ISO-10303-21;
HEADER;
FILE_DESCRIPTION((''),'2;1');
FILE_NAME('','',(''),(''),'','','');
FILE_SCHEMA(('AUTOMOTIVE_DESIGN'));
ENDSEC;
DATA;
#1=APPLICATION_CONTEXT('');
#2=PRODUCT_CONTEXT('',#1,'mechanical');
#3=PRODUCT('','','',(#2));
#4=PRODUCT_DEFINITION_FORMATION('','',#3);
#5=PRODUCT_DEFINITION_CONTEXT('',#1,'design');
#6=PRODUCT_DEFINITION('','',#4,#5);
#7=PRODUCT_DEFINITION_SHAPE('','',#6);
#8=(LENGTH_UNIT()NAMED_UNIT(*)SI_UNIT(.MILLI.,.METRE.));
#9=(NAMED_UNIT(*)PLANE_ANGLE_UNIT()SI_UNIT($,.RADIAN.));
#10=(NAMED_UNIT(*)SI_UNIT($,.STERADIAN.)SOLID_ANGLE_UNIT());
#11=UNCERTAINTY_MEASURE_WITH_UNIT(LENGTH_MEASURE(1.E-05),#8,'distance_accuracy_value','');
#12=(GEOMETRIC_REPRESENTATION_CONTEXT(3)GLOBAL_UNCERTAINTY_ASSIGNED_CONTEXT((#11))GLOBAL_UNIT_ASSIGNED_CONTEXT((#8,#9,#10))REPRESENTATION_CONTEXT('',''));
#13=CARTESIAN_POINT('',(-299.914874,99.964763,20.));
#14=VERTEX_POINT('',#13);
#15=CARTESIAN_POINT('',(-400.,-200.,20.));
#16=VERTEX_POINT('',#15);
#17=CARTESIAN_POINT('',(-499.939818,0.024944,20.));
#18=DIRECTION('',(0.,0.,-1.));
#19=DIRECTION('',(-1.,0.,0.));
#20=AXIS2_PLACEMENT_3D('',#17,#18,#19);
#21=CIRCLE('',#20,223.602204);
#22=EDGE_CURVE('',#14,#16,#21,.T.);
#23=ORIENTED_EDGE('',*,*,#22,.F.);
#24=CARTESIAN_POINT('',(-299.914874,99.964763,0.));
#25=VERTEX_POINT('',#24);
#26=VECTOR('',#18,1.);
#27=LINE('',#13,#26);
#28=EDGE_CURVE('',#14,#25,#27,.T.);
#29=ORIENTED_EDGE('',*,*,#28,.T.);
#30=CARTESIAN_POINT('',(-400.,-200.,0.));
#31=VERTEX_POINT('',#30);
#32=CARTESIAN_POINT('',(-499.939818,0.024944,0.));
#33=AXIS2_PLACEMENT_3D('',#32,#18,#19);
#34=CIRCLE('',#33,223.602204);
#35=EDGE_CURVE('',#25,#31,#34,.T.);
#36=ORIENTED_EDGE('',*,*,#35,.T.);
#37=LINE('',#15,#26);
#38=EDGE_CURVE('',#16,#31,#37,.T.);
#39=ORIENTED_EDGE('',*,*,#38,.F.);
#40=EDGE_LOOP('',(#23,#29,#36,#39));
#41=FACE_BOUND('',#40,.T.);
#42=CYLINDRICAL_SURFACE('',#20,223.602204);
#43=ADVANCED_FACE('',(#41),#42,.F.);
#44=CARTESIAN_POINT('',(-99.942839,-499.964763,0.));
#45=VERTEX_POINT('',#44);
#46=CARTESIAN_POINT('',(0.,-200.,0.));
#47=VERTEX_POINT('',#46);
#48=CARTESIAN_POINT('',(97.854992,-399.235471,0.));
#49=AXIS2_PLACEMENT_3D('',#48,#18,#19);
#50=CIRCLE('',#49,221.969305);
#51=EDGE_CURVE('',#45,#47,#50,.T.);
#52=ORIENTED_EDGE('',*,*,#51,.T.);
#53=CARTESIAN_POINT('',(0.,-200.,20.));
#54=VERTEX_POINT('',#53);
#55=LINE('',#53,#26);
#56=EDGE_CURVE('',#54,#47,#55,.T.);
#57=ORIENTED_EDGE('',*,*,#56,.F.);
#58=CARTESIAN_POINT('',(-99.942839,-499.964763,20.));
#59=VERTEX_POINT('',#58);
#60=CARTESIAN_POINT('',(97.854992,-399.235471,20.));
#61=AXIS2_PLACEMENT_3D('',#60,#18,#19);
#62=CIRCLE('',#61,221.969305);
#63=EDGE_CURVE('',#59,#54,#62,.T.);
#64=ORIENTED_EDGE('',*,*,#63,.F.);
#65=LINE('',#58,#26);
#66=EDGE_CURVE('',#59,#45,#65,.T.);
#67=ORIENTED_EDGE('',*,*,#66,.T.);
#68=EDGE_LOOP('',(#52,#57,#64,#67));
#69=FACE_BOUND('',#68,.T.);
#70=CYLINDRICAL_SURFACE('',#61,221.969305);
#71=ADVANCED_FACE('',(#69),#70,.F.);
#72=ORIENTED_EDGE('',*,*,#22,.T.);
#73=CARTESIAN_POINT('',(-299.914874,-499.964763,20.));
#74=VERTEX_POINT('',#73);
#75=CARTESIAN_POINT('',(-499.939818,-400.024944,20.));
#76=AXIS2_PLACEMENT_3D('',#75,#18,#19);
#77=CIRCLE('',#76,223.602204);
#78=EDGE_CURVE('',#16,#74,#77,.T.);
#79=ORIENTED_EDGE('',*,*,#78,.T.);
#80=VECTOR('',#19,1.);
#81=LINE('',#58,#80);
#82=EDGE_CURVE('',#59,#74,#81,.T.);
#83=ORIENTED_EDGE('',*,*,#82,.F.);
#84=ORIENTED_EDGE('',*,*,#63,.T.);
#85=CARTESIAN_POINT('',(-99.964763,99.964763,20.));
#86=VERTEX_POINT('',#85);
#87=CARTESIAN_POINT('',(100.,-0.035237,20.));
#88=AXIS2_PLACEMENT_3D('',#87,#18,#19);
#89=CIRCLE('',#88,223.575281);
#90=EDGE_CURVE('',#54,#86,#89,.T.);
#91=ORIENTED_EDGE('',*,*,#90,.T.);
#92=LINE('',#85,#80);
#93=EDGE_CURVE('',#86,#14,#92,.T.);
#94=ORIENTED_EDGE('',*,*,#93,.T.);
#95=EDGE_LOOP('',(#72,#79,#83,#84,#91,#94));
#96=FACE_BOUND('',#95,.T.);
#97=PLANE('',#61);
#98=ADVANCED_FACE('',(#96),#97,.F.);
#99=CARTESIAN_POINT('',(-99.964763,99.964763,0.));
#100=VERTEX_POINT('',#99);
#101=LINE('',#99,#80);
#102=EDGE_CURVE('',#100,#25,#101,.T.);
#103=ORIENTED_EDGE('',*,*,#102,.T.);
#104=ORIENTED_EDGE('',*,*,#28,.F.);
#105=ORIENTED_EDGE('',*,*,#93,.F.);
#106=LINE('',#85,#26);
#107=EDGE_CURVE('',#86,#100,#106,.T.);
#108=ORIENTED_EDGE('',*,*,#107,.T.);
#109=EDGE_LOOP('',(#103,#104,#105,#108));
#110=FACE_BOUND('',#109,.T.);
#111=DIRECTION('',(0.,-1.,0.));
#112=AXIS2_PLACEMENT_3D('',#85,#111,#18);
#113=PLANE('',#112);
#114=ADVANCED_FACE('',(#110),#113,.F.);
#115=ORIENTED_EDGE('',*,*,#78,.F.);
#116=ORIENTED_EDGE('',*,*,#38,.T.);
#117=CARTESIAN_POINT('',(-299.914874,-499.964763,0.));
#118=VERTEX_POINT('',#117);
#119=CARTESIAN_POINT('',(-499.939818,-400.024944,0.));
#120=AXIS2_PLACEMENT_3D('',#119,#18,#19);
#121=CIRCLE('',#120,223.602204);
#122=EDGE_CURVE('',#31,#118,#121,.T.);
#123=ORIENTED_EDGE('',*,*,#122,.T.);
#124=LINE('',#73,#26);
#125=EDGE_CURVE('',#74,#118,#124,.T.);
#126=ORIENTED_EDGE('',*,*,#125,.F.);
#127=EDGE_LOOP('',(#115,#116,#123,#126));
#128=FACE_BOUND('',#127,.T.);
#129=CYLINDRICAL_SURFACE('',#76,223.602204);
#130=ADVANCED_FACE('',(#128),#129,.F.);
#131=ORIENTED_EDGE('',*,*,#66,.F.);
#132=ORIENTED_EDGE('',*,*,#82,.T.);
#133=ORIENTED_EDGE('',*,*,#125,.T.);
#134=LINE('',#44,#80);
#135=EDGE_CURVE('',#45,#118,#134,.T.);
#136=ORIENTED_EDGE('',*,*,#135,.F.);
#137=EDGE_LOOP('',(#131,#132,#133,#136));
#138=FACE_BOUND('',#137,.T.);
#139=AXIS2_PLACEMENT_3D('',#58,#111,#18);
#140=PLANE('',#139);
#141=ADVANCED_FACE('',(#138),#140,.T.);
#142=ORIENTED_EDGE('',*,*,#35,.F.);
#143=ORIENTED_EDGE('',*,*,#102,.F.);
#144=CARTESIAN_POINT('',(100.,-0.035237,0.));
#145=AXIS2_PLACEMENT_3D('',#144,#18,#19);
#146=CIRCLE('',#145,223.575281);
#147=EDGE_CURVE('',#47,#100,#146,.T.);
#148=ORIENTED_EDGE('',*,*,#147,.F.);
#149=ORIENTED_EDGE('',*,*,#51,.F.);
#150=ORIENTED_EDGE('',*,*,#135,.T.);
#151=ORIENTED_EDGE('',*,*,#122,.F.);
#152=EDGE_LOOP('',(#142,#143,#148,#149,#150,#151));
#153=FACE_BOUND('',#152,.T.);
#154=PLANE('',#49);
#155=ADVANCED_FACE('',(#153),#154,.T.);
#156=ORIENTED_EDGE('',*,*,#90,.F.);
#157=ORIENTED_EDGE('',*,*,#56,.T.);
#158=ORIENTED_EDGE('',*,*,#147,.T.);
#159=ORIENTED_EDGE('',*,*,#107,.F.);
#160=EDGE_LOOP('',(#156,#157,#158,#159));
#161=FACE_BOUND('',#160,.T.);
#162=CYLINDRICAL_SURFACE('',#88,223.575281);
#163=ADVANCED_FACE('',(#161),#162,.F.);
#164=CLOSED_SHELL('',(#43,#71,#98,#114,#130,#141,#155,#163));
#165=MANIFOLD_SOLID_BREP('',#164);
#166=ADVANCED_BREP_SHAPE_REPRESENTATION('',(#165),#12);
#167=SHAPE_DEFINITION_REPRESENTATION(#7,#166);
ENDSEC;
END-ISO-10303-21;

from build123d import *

# Parameters (mm, degrees)
BOSS_EXTRUDE3_DEPTH = 20


with BuildPart() as part:
    # Sketch1 → Boss-Extrude3 (new body)
    with BuildSketch(Plane(origin=(0, 0, 0), x_dir=(0, 1, 0), z_dir=(0, 0, 1))):
        with BuildLine():
            Line((-499.964762884, 99.942839206), (-499.964762884, 299.914874032))
            ThreePointArc((-499.964762884, 299.914874032), (-329.254073158, 287.832700506), (-200, 400))
            ThreePointArc((-200, 400), (-70.745926842, 287.832700506), (99.964762884, 299.914874032))
            Line((99.964762884, 299.914874032), (99.964762884, 99.964762884))
            ThreePointArc((99.964762884, 99.964762884), (-70.720998831, 112.107117952), (-200, 0))
            ThreePointArc((-200, 0), (-329.071309069, 112.733143363), (-499.964762884, 99.942839206))
        make_face()
    extrude(amount=BOSS_EXTRUDE3_DEPTH)


solid = part.part
